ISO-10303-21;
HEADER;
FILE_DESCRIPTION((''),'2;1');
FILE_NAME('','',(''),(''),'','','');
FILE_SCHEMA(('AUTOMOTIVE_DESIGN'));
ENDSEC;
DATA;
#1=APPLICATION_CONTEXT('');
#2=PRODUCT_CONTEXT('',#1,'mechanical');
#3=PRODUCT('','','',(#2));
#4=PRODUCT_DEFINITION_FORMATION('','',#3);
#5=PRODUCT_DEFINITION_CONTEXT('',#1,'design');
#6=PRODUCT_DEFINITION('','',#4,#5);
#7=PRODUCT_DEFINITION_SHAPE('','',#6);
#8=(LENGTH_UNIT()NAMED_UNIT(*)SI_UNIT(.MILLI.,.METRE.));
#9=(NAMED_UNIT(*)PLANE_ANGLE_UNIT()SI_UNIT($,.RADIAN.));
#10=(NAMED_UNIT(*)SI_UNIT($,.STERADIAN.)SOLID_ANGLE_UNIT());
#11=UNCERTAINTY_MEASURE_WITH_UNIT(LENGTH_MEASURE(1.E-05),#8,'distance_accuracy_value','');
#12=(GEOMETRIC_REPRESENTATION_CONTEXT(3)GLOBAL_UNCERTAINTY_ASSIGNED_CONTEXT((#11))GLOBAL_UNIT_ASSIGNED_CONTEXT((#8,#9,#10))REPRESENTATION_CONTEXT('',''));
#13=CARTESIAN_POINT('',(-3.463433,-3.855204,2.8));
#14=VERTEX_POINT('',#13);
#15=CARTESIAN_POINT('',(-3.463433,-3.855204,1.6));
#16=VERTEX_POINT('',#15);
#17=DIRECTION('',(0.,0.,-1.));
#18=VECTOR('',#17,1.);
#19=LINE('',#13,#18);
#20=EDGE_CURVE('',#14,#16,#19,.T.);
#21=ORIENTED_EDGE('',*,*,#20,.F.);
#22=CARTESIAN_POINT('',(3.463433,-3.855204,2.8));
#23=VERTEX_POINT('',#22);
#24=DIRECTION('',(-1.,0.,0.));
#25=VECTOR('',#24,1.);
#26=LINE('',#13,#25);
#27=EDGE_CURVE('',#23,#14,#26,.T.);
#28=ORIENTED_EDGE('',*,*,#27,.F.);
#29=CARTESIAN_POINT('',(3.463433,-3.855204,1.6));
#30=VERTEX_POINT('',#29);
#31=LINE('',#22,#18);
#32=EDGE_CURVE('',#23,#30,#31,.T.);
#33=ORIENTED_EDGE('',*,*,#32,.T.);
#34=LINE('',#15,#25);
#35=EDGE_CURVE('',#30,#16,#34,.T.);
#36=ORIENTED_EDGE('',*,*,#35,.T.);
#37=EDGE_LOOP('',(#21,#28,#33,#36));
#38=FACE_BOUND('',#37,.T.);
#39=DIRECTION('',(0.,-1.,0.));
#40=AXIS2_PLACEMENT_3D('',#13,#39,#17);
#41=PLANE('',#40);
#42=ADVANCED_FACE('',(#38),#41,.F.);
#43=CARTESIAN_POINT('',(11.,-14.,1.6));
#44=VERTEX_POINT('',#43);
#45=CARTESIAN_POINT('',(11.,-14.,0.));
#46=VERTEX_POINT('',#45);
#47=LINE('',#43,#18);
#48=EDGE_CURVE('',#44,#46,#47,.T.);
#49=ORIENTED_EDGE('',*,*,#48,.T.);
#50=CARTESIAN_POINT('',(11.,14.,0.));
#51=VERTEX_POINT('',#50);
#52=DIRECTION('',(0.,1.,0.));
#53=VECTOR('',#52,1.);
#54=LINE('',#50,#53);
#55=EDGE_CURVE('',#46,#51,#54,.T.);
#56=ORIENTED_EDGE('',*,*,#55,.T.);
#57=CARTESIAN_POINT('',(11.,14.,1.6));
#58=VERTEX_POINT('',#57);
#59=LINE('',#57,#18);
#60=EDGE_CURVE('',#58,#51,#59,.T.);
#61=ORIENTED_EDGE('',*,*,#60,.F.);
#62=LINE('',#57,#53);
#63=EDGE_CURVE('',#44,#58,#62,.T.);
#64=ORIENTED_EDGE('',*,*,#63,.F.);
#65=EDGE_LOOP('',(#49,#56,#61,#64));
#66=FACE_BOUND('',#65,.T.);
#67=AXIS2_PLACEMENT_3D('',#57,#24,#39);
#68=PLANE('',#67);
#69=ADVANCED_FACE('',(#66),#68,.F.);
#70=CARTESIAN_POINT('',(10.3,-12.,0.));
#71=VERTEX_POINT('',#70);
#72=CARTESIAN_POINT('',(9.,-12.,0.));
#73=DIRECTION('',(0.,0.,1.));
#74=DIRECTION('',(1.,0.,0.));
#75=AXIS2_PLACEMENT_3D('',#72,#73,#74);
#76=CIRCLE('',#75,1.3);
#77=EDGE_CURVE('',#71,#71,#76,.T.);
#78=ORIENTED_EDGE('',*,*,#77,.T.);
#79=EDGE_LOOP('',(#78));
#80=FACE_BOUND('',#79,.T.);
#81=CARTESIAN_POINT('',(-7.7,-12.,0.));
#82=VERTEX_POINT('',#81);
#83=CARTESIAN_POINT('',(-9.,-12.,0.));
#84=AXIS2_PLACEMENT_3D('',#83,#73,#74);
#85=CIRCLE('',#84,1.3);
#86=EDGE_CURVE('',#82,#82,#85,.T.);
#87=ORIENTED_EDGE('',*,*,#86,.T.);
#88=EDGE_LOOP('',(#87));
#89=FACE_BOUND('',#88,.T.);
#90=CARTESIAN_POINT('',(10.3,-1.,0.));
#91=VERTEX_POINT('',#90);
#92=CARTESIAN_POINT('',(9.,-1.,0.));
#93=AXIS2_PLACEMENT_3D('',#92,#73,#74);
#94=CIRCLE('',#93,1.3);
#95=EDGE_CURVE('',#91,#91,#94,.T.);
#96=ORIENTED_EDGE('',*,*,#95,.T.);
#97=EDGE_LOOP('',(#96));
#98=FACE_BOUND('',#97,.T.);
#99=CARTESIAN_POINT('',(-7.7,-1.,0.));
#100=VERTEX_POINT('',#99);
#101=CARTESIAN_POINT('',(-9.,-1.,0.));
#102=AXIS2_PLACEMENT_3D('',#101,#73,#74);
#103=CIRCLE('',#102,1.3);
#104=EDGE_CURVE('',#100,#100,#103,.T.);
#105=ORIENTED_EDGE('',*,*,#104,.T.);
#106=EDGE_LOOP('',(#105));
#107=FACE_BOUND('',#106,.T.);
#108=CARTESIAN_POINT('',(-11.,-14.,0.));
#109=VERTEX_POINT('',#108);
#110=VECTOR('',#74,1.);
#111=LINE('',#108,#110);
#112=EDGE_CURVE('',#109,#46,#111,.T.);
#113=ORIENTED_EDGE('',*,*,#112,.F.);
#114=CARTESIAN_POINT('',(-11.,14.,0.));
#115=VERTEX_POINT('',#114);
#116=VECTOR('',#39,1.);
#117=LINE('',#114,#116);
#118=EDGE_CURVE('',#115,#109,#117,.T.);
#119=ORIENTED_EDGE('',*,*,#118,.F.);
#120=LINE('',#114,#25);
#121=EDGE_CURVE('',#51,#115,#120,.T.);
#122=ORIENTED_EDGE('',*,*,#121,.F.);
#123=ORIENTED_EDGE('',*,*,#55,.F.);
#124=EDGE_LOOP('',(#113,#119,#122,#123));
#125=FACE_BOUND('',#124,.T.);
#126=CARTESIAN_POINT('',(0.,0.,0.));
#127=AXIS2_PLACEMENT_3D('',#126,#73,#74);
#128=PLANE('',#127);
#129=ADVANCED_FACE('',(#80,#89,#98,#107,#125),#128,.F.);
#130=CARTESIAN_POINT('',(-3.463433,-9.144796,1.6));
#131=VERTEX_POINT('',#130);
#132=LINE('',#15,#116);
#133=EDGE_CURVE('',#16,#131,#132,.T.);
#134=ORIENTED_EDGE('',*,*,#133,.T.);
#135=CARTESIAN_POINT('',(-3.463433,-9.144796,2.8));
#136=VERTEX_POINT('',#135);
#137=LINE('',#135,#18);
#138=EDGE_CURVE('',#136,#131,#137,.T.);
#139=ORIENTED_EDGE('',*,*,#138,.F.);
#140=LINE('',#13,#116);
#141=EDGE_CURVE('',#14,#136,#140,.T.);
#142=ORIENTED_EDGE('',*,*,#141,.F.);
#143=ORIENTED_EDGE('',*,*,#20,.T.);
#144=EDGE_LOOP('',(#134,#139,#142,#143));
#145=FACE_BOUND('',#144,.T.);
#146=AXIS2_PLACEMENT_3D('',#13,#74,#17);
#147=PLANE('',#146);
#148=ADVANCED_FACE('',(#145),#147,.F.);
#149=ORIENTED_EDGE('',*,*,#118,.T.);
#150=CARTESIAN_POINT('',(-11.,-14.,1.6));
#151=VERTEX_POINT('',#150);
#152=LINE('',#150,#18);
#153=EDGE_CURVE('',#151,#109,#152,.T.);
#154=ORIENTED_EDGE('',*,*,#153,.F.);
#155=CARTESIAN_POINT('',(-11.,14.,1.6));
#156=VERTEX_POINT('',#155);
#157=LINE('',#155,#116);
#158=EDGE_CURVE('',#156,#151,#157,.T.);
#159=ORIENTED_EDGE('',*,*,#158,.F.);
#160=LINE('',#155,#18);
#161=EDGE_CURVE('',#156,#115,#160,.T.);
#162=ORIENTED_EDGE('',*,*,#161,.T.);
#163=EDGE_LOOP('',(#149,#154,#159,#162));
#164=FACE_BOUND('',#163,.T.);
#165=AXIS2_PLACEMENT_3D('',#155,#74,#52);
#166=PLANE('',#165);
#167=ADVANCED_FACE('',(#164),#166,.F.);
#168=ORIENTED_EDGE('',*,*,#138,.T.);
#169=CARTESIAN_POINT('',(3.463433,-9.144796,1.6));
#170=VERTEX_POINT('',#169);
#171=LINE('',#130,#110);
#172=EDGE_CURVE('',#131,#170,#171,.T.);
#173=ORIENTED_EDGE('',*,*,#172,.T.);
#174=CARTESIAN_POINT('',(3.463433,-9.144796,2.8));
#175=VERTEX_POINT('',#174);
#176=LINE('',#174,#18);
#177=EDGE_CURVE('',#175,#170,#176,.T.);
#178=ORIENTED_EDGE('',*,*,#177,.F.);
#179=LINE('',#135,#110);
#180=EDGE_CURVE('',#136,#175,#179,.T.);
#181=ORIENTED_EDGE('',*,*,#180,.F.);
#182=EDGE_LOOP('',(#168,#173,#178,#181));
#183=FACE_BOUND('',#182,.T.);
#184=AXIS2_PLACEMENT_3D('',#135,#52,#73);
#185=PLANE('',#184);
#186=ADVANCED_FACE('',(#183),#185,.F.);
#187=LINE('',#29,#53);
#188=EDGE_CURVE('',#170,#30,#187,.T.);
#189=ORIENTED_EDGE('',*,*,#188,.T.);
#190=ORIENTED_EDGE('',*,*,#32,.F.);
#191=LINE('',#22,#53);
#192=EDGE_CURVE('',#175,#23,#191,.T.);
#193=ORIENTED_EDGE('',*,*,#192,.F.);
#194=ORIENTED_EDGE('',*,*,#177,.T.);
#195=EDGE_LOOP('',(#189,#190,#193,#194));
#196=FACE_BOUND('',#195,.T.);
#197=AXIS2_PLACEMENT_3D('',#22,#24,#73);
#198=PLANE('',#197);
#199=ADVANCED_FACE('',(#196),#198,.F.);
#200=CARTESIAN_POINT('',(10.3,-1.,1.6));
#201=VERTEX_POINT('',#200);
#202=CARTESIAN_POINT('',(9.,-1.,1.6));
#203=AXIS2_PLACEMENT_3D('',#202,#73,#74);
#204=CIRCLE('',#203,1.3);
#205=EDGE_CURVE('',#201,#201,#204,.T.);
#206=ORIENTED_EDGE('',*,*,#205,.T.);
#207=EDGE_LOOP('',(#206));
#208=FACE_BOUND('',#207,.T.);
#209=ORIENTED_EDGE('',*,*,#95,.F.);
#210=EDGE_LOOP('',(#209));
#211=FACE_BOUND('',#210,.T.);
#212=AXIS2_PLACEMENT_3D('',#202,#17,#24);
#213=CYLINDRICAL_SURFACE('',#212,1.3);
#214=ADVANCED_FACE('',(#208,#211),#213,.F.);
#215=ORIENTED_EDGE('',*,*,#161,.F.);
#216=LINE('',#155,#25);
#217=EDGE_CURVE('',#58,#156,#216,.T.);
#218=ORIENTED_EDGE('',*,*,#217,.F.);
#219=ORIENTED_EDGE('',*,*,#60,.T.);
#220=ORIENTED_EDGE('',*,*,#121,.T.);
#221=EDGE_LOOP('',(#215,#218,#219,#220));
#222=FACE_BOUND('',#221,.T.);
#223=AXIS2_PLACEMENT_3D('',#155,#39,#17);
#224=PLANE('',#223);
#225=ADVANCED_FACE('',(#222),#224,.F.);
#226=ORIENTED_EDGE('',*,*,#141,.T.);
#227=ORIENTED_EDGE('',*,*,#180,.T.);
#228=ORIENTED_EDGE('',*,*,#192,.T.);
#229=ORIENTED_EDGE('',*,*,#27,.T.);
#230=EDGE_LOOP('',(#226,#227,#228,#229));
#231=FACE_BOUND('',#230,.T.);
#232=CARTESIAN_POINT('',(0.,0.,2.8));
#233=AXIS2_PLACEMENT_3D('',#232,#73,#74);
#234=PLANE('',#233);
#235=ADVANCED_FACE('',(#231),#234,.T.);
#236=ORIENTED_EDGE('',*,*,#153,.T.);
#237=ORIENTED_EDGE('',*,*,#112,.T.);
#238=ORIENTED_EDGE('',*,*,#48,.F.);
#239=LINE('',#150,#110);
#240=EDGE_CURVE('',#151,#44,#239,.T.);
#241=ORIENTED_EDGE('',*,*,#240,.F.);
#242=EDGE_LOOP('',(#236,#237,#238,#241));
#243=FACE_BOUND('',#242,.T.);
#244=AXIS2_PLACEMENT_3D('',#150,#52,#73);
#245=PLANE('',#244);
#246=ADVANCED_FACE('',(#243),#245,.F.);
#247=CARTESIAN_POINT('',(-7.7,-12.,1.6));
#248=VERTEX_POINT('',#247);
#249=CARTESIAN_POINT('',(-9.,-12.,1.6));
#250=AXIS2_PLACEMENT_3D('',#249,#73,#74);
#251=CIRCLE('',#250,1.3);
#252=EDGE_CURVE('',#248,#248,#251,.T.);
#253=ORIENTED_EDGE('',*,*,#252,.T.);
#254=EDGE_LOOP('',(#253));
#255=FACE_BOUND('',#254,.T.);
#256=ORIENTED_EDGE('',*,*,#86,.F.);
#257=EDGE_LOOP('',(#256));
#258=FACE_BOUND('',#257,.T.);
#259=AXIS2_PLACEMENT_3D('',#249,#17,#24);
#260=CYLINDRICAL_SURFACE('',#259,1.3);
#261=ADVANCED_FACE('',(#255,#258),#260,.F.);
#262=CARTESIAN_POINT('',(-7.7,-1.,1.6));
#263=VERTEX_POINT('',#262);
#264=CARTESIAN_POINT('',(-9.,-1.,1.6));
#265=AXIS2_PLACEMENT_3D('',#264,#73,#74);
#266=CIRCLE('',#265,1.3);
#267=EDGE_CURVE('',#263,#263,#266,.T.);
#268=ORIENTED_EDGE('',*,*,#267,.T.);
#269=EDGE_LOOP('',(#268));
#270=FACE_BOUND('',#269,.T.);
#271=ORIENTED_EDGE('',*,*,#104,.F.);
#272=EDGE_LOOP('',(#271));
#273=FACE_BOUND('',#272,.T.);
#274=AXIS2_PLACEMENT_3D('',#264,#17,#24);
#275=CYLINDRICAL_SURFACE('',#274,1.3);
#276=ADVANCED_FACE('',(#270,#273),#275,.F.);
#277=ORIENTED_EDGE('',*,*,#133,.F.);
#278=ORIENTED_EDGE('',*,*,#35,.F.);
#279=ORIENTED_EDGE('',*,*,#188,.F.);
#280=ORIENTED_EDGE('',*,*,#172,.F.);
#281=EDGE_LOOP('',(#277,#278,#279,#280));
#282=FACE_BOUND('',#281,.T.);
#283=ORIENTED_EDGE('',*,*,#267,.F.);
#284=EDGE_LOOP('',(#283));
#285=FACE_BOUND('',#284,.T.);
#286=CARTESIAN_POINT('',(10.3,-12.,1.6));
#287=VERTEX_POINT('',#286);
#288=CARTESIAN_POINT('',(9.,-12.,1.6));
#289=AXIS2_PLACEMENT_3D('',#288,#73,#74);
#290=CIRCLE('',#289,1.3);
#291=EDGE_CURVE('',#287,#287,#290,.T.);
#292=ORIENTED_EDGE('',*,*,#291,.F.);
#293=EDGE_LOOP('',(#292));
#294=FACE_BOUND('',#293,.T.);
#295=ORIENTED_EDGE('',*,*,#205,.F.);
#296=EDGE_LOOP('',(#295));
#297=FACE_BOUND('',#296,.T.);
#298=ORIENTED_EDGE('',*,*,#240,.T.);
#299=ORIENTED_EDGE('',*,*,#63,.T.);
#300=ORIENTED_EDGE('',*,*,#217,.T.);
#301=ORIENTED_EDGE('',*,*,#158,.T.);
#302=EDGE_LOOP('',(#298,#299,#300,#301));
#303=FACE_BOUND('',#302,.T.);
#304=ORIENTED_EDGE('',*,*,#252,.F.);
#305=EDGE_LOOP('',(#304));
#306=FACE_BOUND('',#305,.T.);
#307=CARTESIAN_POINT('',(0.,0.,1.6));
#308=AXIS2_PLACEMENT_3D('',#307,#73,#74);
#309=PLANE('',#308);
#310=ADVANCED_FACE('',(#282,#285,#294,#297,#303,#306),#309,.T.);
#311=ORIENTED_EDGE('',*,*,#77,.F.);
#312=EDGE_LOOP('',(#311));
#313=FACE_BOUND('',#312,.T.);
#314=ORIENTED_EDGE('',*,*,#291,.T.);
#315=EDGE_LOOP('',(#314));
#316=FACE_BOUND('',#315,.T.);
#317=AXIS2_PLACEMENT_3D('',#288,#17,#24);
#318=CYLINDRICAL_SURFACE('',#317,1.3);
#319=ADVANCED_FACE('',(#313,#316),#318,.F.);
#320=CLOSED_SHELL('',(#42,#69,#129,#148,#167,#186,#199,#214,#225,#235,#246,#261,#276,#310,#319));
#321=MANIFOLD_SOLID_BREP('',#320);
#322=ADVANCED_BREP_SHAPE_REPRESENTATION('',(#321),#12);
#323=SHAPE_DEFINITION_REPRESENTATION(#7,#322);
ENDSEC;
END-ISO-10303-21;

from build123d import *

# Parameters (mm, degrees)
SKETCH1_W           = 22
SKETCH1_H           = 28
SKETCH1_R           = 1.3
BOSS_EXTRUDE1_DEPTH = 1.6
SKETCH2_W           = 6.926866864
SKETCH2_H           = 5.289592926
BOSS_EXTRUDE2_DEPTH = 1.2


with BuildPart() as part:
    # Sketch1 → Boss-Extrude1 (new body)
    with BuildSketch(Plane.XY):
        Rectangle(SKETCH1_W, SKETCH1_H)
        with Locations((-9, -12)):
            Circle(SKETCH1_R, mode=Mode.SUBTRACT)
        with Locations((9, -12)):
            Circle(SKETCH1_R, mode=Mode.SUBTRACT)
        with Locations((-9, -1)):
            Circle(SKETCH1_R, mode=Mode.SUBTRACT)
        with Locations((9, -1)):
            Circle(SKETCH1_R, mode=Mode.SUBTRACT)
    extrude(amount=BOSS_EXTRUDE1_DEPTH)

    # Sketch2 → Boss-Extrude2 (add)
    with BuildSketch(Plane.XY.offset(1.6)):
        with Locations((0, -6.5)):
            Rectangle(SKETCH2_W, SKETCH2_H)
    extrude(amount=BOSS_EXTRUDE2_DEPTH)


solid = part.part
